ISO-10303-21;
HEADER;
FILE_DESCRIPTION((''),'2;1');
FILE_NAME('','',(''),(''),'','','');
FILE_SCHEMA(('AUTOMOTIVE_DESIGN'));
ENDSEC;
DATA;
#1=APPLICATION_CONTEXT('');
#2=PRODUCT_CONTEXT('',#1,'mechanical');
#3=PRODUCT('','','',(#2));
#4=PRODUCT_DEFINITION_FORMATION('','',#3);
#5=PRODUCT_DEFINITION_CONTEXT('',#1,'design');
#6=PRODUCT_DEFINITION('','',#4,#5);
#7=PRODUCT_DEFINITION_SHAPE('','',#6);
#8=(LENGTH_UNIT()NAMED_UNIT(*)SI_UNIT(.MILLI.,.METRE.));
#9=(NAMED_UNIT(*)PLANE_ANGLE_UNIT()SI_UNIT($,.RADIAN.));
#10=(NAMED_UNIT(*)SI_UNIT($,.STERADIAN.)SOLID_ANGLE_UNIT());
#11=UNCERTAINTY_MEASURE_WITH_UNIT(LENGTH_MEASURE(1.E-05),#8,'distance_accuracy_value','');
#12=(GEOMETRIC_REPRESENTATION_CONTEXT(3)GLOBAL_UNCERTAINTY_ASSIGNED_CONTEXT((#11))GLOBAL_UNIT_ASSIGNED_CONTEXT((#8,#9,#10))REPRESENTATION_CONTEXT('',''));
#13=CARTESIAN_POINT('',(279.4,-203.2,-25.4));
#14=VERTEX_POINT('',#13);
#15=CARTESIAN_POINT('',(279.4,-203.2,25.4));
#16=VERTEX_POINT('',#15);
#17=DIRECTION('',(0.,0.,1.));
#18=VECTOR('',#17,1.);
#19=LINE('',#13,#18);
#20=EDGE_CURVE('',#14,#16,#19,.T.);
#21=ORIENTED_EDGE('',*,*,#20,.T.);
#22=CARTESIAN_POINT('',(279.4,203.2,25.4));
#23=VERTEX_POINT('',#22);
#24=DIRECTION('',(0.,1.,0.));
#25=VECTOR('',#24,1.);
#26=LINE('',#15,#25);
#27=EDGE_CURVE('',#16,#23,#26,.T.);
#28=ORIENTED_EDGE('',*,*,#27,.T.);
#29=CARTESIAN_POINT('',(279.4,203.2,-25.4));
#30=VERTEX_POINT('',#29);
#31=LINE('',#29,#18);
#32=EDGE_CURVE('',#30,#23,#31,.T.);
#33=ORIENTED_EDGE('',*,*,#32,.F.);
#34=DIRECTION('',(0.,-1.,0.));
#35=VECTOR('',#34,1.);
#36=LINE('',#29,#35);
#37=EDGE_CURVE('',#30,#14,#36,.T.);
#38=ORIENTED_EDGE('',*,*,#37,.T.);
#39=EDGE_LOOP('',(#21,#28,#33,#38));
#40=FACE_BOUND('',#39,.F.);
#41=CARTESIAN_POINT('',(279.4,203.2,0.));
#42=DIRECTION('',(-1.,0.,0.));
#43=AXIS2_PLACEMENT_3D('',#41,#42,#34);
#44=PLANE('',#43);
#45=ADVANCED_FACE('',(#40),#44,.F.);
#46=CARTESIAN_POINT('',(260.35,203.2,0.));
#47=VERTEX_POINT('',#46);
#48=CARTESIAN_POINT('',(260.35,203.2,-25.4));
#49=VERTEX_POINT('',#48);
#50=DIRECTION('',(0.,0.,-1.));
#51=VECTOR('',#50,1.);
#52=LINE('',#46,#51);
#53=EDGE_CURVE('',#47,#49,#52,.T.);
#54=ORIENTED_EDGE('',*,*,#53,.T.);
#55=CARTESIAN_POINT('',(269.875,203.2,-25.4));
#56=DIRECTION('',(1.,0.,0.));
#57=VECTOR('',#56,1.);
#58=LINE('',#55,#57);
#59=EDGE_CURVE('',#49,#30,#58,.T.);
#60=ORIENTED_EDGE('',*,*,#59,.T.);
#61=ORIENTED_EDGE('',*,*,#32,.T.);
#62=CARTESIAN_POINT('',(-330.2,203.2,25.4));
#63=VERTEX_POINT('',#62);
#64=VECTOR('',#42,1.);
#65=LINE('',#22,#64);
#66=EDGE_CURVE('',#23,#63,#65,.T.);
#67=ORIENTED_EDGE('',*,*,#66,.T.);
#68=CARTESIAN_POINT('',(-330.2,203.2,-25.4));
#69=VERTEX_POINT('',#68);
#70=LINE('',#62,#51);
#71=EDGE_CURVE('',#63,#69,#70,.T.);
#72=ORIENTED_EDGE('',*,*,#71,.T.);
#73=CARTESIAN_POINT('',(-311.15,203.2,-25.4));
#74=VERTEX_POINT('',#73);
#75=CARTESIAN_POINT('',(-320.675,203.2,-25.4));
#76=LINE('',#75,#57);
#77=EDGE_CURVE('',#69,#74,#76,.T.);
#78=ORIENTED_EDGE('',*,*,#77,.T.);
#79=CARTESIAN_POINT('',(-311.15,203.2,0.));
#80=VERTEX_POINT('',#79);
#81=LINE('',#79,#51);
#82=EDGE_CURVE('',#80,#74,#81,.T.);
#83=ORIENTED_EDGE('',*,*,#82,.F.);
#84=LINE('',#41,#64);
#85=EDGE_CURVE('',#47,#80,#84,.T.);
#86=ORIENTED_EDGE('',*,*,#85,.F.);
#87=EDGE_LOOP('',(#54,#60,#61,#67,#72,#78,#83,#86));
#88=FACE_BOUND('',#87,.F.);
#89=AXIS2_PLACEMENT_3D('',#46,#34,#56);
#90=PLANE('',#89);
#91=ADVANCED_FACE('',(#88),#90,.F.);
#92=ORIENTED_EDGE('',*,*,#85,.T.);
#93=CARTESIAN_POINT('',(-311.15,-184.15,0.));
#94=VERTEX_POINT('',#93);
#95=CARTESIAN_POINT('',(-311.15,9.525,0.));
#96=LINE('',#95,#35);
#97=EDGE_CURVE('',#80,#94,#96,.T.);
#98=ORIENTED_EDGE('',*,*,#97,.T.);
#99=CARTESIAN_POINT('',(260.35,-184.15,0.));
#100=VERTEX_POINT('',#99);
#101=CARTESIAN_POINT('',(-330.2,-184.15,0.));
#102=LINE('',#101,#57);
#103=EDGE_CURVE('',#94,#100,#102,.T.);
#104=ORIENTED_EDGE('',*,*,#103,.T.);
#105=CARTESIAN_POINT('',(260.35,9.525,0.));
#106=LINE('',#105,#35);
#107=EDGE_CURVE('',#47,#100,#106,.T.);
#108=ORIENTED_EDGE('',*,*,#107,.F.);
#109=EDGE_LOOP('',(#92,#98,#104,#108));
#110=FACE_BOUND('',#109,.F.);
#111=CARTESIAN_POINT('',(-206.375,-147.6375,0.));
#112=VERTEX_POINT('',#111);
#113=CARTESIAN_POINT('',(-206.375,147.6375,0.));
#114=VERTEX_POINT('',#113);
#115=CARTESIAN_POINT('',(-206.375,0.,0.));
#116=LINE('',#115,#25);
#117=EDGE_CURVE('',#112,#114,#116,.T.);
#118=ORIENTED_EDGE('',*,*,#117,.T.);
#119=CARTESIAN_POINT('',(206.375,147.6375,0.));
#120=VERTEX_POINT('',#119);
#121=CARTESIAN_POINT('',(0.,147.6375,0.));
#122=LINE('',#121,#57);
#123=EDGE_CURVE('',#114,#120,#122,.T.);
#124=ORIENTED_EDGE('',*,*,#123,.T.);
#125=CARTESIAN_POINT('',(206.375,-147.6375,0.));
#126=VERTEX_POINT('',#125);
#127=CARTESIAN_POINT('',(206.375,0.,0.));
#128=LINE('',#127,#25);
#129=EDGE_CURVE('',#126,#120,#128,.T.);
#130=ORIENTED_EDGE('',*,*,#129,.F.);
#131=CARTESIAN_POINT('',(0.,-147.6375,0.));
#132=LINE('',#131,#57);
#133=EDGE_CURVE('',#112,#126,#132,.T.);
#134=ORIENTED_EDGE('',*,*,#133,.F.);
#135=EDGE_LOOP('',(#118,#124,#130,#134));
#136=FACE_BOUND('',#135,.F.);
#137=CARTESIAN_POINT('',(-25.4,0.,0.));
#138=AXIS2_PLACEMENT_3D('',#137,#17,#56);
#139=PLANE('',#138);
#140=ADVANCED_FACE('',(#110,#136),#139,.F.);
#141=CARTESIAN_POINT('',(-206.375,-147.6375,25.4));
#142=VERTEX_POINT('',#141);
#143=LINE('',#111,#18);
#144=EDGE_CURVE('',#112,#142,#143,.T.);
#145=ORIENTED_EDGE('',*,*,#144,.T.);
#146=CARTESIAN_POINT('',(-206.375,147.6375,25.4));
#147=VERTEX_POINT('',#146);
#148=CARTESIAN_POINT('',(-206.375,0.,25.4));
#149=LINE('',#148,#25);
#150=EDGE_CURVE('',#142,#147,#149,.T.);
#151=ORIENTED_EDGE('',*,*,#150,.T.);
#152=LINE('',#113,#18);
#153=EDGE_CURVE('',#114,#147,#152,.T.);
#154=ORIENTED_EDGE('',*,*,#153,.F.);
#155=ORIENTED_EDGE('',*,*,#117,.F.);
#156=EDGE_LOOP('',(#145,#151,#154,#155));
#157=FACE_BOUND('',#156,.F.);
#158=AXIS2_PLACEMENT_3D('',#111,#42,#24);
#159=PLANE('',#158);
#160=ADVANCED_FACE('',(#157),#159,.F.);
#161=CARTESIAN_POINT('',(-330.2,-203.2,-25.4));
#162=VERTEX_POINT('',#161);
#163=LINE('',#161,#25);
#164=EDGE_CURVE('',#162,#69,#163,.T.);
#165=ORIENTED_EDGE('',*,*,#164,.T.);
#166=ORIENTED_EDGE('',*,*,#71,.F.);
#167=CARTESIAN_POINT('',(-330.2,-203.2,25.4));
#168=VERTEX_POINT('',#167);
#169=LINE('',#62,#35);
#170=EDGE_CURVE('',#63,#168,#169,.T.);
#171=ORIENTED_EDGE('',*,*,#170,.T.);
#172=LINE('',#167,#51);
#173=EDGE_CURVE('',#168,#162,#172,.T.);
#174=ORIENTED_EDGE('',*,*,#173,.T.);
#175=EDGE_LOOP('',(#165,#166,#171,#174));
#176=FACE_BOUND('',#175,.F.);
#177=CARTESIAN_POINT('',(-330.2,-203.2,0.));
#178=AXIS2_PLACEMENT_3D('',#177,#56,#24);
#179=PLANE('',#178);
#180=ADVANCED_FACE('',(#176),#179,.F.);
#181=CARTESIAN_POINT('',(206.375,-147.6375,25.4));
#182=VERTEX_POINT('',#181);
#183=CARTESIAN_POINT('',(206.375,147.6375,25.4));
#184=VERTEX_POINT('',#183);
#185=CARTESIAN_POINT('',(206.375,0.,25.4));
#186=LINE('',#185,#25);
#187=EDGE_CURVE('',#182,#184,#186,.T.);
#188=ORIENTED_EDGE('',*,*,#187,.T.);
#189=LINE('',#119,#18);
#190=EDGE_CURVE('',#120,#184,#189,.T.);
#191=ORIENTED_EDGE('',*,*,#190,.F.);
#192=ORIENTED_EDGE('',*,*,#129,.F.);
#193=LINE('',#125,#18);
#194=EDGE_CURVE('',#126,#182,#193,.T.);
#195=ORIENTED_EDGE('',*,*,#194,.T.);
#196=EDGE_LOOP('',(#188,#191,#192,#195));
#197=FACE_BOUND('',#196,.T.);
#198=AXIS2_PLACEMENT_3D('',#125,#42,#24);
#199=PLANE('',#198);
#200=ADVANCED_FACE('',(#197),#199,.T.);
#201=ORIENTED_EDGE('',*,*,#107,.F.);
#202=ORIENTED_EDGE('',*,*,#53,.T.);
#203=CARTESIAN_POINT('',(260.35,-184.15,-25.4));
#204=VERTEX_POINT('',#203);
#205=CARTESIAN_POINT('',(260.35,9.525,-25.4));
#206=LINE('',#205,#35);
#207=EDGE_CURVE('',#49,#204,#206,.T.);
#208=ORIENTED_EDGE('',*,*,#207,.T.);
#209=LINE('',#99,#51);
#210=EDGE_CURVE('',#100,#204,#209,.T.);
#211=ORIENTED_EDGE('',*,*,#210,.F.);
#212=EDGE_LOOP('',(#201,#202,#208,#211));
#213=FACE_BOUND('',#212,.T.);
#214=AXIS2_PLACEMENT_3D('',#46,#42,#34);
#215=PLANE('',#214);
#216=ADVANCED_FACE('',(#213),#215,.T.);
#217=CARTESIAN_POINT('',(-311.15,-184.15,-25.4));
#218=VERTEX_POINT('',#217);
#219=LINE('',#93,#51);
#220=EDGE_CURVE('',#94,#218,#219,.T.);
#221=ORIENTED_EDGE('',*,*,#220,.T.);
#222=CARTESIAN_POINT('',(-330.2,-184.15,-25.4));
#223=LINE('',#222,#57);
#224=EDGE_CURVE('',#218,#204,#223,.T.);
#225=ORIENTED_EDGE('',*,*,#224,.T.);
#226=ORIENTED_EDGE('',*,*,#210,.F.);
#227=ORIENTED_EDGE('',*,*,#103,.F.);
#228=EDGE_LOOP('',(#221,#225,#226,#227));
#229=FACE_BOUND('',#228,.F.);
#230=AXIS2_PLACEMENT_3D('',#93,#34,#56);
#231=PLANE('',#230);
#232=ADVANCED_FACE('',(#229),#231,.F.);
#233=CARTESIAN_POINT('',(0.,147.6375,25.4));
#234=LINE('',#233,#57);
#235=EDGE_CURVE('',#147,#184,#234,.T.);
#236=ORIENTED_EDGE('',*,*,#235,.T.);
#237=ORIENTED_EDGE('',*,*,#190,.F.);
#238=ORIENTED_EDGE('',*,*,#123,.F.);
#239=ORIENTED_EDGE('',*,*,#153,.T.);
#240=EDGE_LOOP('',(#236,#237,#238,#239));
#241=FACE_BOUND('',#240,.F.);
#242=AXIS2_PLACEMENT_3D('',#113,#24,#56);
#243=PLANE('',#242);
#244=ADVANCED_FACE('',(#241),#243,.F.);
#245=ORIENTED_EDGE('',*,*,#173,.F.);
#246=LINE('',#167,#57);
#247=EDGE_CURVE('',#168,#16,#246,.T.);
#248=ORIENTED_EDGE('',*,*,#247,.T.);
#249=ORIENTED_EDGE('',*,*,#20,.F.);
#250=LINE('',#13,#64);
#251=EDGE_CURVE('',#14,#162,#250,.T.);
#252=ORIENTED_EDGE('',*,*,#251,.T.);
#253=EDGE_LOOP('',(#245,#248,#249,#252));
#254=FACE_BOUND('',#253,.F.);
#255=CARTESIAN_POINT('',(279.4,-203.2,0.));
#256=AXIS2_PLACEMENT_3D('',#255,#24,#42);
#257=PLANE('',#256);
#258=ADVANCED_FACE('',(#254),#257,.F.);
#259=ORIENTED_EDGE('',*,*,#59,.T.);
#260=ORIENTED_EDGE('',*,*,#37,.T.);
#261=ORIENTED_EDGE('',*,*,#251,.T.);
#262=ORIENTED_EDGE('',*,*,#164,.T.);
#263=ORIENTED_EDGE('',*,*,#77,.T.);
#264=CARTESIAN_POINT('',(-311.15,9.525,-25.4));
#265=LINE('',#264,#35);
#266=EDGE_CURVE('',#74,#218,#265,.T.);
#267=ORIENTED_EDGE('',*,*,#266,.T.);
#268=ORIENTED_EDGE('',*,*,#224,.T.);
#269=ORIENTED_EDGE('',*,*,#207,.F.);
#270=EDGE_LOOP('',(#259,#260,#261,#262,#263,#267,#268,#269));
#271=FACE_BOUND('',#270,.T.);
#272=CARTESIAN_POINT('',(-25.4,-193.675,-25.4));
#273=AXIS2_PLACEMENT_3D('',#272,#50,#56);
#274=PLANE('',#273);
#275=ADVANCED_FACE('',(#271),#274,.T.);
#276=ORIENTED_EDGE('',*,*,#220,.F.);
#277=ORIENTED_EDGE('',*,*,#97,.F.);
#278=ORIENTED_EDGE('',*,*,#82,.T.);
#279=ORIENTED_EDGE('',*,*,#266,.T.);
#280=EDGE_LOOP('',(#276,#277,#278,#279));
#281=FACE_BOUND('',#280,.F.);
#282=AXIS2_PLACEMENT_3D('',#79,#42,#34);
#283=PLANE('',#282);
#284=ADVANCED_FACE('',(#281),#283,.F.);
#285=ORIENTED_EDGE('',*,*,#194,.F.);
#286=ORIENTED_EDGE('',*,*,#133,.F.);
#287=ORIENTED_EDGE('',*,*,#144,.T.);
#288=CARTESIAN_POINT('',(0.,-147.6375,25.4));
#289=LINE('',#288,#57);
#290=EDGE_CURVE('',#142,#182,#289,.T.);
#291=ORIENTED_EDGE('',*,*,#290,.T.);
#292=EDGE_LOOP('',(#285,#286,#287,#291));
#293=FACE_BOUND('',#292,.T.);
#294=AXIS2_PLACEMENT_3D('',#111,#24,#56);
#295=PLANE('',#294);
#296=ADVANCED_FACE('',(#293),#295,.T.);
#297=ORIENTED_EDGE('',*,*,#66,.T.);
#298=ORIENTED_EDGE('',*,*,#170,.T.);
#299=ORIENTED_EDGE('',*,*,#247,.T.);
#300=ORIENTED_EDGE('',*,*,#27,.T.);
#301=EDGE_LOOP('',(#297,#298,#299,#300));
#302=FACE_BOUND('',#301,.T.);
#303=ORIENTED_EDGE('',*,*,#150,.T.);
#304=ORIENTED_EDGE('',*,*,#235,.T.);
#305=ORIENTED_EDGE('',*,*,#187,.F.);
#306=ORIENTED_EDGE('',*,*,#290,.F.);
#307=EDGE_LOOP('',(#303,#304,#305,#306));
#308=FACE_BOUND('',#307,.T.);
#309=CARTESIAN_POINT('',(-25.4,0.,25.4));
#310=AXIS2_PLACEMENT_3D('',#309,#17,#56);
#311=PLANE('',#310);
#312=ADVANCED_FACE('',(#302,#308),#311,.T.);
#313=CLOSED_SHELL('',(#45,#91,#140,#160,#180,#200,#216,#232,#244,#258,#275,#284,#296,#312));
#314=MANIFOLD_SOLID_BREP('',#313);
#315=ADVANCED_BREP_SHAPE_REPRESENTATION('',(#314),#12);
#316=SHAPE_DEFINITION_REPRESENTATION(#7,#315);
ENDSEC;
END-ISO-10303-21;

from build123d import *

# Parameters (mm, degrees)
F0_W     = 412.75
F0_H     = 295.275
F1_DEPTH = 25.4
F2_W     = 19.05
F2_H     = 387.35
F3_DEPTH = 25.4


with BuildPart() as f1:
    # F0 (on Top) → F1 (new body)
    with BuildSketch(Plane.XY):
        Polygon((279.4, -203.2), (279.4, 203.2), (-279.4, 203.2), (-330.2, 203.2), (-330.2, -203.2), (-279.4, -203.2), align=None)
        Rectangle(F0_W, F0_H, mode=Mode.SUBTRACT)
    extrude(amount=F1_DEPTH)

    # F2 (on face) → F3 (join)
    with BuildSketch(Plane(origin=(0, 0, 0), x_dir=(1, 0, 0), z_dir=(0, 0, -1))):
        Polygon((279.4, 203.2), (-330.2, 203.2), (-330.2, 184.15), (-311.15, 184.15), (260.35, 184.15), (279.4, 184.15), align=None)
        with Locations((269.875, -9.525)):
            Rectangle(F2_W, F2_H)
        with Locations((-320.675, -9.525)):
            Rectangle(F2_W, F2_H)
    extrude(amount=F3_DEPTH)


solid = f1.part
